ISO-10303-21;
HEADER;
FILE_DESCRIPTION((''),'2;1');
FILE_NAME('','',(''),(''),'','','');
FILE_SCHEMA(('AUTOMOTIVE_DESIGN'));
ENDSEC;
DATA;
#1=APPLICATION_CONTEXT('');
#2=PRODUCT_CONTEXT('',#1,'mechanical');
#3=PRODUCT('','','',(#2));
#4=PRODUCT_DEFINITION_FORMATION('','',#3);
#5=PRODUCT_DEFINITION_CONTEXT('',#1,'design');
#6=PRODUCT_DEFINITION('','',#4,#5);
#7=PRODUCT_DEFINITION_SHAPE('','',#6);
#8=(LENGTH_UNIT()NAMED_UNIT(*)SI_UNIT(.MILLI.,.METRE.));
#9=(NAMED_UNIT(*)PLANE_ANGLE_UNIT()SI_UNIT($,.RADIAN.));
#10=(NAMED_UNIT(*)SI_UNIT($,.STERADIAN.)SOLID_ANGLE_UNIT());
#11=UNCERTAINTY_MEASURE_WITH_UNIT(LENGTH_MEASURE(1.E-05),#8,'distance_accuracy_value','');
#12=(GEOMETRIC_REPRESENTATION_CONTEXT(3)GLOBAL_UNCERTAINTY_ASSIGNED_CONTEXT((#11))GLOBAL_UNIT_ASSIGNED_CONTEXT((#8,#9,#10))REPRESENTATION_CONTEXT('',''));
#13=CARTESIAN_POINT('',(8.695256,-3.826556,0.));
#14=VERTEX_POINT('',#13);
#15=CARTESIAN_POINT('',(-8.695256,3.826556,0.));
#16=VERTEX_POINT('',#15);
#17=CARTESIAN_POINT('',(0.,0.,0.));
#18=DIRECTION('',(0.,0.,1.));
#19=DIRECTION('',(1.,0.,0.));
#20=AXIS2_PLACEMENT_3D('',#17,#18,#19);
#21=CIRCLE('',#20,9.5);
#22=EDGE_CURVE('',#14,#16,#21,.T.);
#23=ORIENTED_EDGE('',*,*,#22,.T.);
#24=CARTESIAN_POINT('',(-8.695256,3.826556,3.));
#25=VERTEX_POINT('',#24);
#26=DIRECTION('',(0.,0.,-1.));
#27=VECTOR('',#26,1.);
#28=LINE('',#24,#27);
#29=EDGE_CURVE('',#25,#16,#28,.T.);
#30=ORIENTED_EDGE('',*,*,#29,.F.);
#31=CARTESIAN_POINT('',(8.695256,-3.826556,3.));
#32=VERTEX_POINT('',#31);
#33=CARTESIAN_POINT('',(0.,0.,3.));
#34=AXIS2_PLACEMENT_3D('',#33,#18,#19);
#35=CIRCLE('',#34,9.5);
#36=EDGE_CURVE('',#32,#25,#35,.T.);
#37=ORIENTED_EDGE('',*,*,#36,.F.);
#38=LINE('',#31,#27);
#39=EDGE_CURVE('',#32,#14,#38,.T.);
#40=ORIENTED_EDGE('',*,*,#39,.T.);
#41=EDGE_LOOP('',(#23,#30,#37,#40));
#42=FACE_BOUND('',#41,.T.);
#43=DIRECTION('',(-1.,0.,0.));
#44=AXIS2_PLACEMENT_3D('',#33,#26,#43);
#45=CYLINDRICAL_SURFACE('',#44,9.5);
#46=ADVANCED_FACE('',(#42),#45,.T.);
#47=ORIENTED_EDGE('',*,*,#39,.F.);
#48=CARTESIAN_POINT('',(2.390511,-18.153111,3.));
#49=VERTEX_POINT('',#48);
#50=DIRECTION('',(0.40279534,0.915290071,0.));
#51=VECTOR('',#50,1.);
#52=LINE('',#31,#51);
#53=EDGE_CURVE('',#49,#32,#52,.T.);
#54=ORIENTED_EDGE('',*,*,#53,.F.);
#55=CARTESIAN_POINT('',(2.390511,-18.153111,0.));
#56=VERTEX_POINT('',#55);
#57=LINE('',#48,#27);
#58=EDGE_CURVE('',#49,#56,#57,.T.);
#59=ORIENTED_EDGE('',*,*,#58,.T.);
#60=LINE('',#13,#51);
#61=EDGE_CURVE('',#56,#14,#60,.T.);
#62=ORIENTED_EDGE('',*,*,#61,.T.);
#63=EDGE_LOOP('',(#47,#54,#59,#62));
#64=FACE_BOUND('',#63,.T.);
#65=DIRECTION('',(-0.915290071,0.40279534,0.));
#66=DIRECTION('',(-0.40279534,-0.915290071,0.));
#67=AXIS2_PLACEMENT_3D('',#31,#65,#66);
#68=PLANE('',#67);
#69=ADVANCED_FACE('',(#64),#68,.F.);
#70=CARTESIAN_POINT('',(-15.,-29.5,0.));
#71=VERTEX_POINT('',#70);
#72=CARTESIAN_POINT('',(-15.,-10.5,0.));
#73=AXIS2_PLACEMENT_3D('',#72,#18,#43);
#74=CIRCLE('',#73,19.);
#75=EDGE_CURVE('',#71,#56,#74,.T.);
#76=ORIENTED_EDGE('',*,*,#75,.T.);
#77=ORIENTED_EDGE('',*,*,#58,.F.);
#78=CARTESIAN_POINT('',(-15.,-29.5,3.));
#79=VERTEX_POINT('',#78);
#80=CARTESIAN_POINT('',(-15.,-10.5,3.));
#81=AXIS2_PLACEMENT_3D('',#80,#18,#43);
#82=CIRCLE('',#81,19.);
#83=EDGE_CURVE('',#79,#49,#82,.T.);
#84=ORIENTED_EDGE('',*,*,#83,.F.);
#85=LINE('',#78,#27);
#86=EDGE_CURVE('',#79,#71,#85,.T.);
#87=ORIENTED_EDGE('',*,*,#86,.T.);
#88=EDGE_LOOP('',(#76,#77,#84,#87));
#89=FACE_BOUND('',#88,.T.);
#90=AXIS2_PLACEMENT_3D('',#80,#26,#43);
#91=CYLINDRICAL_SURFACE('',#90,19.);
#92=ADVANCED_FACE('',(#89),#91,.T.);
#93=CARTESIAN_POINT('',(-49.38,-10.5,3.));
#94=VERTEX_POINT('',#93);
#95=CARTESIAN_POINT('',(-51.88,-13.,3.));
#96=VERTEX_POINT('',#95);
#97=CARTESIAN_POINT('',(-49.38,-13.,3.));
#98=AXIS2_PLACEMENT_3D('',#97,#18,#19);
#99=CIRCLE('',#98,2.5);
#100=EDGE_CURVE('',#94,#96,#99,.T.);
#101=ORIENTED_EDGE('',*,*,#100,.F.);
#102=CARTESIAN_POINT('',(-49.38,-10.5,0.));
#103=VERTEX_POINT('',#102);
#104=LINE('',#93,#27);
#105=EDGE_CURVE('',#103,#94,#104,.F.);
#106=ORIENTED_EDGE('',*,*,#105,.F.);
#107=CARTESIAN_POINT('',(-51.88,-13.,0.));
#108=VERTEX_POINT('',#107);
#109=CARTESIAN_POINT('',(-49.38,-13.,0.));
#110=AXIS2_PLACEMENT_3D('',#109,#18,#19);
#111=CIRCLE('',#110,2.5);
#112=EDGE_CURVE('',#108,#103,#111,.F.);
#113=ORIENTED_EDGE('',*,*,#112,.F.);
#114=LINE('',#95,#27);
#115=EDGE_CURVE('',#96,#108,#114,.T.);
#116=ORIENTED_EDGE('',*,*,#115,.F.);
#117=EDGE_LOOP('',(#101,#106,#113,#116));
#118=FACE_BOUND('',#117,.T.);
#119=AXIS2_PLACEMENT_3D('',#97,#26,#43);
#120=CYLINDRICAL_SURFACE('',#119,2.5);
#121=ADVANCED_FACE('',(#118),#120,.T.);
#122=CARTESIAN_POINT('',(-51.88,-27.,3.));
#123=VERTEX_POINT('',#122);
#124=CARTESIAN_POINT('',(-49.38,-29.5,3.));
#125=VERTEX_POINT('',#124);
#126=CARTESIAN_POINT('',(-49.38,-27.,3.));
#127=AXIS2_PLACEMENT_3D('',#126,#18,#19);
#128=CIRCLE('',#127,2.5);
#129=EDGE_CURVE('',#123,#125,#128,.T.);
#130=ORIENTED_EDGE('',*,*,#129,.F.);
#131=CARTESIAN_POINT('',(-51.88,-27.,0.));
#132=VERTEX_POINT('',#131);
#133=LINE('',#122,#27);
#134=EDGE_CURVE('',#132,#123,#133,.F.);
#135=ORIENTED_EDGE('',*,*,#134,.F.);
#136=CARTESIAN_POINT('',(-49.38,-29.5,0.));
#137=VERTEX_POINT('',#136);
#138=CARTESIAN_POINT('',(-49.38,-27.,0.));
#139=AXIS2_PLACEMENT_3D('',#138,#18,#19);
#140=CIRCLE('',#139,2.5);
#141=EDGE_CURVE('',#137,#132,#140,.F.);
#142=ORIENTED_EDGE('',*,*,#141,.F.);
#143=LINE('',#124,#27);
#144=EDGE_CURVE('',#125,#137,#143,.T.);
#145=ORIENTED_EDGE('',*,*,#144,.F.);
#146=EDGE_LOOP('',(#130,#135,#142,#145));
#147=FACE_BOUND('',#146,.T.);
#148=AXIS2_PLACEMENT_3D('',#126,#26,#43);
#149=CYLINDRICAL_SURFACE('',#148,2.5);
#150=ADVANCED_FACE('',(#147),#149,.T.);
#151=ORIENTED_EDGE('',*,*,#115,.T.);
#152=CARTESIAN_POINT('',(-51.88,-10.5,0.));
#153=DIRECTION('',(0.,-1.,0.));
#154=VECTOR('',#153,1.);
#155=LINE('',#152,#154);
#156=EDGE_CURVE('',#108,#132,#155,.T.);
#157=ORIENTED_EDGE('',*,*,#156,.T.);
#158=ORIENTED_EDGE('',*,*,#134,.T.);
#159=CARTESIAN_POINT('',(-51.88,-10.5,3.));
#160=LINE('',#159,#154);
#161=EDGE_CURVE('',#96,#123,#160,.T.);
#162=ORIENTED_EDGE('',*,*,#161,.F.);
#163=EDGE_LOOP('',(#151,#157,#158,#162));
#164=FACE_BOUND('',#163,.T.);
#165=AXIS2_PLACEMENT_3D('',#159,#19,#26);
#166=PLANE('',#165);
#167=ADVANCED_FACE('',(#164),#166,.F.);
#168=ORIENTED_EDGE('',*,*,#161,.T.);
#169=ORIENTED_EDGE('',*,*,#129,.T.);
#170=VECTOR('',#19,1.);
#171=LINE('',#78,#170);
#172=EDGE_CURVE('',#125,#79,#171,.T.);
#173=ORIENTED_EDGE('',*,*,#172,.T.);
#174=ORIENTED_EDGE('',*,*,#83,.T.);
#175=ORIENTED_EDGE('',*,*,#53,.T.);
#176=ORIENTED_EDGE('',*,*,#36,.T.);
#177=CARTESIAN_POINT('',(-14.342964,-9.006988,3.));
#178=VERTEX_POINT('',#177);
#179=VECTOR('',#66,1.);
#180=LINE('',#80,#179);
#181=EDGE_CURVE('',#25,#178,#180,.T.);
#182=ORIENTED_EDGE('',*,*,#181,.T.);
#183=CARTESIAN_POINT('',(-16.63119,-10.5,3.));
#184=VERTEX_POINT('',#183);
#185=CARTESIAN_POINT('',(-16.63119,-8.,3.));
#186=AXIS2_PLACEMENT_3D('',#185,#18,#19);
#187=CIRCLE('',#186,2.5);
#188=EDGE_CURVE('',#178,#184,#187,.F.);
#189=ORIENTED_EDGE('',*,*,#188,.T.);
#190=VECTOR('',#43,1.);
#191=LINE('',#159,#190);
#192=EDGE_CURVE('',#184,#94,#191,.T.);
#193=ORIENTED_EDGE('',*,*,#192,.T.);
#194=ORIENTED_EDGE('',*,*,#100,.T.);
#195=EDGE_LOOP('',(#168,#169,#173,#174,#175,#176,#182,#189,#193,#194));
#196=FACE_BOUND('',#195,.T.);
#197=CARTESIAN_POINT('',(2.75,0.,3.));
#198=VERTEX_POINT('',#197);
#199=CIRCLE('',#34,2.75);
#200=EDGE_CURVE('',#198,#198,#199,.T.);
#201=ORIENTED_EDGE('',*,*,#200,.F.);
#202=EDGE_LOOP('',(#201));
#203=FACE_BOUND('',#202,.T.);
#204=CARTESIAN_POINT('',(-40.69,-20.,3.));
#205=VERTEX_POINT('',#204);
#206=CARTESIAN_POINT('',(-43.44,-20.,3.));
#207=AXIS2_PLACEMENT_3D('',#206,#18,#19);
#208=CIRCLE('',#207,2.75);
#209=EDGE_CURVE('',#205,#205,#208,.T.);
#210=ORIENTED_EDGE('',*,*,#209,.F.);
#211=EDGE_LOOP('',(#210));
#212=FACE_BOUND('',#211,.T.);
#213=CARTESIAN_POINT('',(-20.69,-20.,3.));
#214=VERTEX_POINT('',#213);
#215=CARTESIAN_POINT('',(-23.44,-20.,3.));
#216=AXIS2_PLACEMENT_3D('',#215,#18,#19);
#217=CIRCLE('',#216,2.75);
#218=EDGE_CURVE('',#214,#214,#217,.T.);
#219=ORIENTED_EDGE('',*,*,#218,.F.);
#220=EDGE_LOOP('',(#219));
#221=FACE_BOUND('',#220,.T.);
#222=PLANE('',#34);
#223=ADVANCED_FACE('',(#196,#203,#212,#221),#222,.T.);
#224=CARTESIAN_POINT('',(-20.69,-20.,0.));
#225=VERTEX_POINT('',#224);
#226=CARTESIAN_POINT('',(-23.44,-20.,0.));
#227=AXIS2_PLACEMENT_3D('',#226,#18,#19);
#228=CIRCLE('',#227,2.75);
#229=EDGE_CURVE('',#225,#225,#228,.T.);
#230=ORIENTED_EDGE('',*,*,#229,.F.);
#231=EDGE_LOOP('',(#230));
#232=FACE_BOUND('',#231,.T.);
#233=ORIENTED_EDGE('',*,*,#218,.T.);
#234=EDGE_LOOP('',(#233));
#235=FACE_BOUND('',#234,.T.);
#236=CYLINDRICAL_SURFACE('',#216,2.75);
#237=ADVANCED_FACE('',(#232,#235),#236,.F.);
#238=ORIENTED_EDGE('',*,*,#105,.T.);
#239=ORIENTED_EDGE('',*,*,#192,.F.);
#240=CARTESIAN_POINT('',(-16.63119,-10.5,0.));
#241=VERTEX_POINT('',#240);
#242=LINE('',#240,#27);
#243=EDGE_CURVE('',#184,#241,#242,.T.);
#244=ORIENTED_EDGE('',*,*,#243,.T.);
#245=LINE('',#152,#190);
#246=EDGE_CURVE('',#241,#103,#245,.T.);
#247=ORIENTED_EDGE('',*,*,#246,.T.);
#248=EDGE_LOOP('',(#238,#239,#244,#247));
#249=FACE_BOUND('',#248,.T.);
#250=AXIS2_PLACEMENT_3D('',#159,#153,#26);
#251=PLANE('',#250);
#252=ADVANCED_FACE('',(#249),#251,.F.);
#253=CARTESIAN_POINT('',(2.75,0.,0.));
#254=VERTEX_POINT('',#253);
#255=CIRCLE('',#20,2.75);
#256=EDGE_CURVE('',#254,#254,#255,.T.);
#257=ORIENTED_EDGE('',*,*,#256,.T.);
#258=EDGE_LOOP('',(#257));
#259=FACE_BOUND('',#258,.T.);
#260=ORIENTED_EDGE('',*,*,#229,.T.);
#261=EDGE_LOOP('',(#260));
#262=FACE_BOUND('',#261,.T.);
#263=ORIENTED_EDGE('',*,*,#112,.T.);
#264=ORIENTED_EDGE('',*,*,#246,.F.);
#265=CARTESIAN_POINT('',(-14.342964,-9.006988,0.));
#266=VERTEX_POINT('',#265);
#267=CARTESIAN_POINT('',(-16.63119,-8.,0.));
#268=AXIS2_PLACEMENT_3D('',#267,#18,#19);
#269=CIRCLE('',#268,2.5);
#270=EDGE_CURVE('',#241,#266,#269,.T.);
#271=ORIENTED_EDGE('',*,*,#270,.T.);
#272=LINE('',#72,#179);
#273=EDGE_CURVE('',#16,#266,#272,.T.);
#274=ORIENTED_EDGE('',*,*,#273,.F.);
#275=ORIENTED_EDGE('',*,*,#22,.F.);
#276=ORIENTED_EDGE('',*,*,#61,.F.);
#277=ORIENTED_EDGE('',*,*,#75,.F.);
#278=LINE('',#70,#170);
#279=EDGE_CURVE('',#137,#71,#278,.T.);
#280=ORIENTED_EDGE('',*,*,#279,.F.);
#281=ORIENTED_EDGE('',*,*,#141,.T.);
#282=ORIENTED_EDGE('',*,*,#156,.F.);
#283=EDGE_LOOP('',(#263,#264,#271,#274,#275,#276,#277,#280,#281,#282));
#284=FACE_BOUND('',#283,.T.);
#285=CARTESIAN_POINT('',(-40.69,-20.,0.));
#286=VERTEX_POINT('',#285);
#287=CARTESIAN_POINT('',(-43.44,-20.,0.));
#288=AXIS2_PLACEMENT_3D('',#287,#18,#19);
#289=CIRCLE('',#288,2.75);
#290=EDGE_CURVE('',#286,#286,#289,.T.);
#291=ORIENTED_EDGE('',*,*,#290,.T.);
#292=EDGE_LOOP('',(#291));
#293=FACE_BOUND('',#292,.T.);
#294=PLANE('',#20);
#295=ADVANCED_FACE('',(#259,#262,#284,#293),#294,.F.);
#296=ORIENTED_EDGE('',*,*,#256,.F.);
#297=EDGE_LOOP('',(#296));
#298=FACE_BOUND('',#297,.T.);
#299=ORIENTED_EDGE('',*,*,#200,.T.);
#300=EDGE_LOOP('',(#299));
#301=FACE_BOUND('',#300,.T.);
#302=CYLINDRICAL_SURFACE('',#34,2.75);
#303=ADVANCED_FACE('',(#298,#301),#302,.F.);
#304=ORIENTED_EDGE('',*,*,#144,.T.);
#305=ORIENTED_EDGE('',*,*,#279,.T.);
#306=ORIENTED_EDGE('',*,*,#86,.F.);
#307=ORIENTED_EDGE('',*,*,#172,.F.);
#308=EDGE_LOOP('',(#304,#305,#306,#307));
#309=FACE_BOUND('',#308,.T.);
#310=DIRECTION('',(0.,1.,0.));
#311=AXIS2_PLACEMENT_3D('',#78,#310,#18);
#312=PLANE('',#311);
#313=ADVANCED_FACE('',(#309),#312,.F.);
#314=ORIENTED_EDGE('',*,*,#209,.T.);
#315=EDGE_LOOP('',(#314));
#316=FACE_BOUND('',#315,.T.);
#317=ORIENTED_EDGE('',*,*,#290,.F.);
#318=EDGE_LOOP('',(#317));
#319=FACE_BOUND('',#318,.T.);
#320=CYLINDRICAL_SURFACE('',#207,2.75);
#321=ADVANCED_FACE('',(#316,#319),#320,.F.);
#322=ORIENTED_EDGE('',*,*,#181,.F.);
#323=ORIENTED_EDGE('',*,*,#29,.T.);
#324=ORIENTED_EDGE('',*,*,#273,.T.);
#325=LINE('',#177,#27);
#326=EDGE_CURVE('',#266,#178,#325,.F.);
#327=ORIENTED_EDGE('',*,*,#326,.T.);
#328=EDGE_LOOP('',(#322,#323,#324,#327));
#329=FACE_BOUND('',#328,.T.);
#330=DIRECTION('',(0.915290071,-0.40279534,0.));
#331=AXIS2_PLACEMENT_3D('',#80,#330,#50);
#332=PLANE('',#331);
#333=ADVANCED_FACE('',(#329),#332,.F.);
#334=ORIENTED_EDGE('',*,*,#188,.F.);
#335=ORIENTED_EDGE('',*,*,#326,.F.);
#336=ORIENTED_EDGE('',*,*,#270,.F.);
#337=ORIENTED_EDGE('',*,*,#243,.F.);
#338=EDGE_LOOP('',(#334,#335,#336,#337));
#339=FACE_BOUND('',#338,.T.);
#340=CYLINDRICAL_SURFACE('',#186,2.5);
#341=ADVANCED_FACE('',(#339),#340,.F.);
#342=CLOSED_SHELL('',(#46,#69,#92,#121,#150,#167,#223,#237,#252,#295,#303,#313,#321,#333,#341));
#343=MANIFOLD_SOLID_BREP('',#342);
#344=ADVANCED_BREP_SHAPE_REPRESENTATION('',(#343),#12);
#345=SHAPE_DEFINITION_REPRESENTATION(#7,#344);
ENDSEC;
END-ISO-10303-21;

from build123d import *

# Parameters (mm, degrees)
BOSS_EXTRUDE1_DEPTH  = 3
M5_CLEARANCE_HOLE1_D = 5.5
M5_CLEARANCE_HOLE2_D = 5.5
M5_CLEARANCE_HOLE3_D = 5.5
FILLET2_R            = 2.5


with BuildPart() as part:
    # Sketch1 → Boss-Extrude1 (new body)
    with BuildSketch(Plane.XY):
        with BuildLine():
            Line((8.695255676, -3.826555727), (2.390511351, -18.153111454))
            ThreePointArc((2.390511351, -18.153111454), (-4.61754166, -26.412402673), (-15, -29.5))
            Line((-15, -29.5), (-51.88, -29.5))
            Line((-51.88, -29.5), (-51.88, -10.5))
            Line((-51.88, -10.5), (-15, -10.5))
            Line((-15, -10.5), (-8.695255676, 3.826555727))
            ThreePointArc((-8.695255676, 3.826555727), (3.826555727, 8.695255676), (8.695255676, -3.826555727))
        make_face()
    extrude(amount=BOSS_EXTRUDE1_DEPTH)

    # M5 Clearance Hole1 (through all)
    with Locations(Plane.XY.offset(3)):
        with Locations((-43.44, -20)):
            Hole(M5_CLEARANCE_HOLE1_D / 2)

    # M5 Clearance Hole2 (through all)
    with Locations(Plane.XY.offset(3)):
        with Locations((-23.44, -20)):
            Hole(M5_CLEARANCE_HOLE2_D / 2)

    # M5 Clearance Hole3 (through all)
    with Locations(Plane.XY.offset(3)):
        with Locations((0, 0)):
            Hole(M5_CLEARANCE_HOLE3_D / 2)

    # Fillet2
    fillet2_edges = [part.edges().sort_by_distance(p)[0] for p in [
        (-51.88, -29.5, 1.5),
        (-51.88, -10.5, 1.5),
        (-15, -10.5, 1.5),
    ]]
    fillet(fillet2_edges, radius=FILLET2_R)


solid = part.part
